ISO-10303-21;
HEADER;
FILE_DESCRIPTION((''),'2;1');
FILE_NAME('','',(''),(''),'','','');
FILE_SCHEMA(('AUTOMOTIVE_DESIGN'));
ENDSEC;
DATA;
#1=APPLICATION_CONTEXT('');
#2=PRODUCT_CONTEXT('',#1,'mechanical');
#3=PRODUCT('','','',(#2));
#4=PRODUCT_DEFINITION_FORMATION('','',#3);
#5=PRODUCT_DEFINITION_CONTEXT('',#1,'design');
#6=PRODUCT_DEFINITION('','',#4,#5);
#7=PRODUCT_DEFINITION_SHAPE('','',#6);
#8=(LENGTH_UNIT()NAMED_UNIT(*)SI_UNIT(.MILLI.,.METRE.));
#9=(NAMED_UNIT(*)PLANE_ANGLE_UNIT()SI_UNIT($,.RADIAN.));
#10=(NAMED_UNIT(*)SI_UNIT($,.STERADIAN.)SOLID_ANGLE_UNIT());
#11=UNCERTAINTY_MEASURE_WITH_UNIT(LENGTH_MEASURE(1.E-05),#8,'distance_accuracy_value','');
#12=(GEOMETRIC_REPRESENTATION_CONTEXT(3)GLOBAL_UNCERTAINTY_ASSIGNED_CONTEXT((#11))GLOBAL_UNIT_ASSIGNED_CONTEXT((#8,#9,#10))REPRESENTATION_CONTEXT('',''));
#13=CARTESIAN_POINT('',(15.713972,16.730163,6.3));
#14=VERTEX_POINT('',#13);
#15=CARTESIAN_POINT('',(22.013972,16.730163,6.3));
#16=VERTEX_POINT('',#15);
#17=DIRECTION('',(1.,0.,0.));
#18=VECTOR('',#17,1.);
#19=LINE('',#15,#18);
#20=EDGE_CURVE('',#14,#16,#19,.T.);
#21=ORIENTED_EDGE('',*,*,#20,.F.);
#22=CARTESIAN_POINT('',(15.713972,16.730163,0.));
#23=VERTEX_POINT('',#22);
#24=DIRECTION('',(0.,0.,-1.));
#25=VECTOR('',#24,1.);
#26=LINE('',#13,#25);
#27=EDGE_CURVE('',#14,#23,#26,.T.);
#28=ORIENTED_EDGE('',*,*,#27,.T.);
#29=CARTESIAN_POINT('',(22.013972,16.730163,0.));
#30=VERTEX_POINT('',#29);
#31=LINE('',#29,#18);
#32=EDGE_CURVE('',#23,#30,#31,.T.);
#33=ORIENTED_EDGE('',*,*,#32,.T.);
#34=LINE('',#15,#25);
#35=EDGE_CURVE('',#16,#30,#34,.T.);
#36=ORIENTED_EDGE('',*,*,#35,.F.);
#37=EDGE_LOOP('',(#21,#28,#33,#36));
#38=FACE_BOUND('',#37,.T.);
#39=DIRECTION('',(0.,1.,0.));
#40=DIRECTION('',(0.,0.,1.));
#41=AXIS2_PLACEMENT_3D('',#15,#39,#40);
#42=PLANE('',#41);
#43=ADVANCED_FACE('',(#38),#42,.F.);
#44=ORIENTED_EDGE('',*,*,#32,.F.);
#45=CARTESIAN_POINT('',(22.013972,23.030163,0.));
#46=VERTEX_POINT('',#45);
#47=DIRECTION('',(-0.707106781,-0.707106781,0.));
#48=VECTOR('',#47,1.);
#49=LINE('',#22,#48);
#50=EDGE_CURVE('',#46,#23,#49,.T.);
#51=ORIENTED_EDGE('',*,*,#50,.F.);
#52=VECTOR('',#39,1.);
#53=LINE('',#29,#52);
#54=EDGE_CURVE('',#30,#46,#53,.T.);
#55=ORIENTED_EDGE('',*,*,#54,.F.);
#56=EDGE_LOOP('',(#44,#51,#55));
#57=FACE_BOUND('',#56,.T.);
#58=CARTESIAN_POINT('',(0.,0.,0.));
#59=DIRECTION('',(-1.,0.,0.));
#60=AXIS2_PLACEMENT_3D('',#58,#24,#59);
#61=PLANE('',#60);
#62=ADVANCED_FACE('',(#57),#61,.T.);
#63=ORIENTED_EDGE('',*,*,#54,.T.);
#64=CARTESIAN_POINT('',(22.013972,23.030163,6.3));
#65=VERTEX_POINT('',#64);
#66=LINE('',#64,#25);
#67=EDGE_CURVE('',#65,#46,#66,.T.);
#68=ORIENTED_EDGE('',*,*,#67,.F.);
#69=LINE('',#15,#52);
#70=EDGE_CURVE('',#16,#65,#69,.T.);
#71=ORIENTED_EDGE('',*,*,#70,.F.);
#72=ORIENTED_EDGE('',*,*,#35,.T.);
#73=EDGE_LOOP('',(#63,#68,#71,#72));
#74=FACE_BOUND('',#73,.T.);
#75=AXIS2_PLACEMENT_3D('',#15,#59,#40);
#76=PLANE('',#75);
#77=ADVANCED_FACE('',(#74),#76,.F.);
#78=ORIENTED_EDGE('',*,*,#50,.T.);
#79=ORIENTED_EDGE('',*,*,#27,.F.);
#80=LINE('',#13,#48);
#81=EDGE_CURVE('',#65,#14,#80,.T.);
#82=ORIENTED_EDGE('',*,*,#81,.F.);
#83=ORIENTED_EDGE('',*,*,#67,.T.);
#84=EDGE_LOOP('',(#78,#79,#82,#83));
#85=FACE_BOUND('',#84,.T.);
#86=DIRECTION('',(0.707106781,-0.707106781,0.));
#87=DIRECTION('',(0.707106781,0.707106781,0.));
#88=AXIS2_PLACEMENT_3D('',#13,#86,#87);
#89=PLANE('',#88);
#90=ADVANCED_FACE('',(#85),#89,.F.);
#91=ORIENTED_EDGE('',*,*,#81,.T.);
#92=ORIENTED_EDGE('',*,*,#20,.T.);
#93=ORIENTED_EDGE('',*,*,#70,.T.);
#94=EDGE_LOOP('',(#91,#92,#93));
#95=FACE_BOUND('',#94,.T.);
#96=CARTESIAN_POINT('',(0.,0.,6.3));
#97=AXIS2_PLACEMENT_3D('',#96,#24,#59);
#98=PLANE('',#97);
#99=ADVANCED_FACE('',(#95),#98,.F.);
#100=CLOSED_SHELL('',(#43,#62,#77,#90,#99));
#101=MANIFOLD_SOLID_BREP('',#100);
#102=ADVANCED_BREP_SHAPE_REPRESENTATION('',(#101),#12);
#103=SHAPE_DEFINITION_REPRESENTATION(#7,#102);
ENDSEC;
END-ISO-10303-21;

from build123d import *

# Parameters (mm, degrees)
EXTRUDE_1_DEPTH = 6.3


with BuildPart() as part:
    # 草图1 → 凸台-拉伸1 (new body)
    with BuildSketch(Plane.XY):
        Polygon((22.013972028, 16.73016285), (22.013972028, 23.03016285), (15.713972028, 16.73016285), align=None)
    extrude(amount=EXTRUDE_1_DEPTH)


solid = part.part
